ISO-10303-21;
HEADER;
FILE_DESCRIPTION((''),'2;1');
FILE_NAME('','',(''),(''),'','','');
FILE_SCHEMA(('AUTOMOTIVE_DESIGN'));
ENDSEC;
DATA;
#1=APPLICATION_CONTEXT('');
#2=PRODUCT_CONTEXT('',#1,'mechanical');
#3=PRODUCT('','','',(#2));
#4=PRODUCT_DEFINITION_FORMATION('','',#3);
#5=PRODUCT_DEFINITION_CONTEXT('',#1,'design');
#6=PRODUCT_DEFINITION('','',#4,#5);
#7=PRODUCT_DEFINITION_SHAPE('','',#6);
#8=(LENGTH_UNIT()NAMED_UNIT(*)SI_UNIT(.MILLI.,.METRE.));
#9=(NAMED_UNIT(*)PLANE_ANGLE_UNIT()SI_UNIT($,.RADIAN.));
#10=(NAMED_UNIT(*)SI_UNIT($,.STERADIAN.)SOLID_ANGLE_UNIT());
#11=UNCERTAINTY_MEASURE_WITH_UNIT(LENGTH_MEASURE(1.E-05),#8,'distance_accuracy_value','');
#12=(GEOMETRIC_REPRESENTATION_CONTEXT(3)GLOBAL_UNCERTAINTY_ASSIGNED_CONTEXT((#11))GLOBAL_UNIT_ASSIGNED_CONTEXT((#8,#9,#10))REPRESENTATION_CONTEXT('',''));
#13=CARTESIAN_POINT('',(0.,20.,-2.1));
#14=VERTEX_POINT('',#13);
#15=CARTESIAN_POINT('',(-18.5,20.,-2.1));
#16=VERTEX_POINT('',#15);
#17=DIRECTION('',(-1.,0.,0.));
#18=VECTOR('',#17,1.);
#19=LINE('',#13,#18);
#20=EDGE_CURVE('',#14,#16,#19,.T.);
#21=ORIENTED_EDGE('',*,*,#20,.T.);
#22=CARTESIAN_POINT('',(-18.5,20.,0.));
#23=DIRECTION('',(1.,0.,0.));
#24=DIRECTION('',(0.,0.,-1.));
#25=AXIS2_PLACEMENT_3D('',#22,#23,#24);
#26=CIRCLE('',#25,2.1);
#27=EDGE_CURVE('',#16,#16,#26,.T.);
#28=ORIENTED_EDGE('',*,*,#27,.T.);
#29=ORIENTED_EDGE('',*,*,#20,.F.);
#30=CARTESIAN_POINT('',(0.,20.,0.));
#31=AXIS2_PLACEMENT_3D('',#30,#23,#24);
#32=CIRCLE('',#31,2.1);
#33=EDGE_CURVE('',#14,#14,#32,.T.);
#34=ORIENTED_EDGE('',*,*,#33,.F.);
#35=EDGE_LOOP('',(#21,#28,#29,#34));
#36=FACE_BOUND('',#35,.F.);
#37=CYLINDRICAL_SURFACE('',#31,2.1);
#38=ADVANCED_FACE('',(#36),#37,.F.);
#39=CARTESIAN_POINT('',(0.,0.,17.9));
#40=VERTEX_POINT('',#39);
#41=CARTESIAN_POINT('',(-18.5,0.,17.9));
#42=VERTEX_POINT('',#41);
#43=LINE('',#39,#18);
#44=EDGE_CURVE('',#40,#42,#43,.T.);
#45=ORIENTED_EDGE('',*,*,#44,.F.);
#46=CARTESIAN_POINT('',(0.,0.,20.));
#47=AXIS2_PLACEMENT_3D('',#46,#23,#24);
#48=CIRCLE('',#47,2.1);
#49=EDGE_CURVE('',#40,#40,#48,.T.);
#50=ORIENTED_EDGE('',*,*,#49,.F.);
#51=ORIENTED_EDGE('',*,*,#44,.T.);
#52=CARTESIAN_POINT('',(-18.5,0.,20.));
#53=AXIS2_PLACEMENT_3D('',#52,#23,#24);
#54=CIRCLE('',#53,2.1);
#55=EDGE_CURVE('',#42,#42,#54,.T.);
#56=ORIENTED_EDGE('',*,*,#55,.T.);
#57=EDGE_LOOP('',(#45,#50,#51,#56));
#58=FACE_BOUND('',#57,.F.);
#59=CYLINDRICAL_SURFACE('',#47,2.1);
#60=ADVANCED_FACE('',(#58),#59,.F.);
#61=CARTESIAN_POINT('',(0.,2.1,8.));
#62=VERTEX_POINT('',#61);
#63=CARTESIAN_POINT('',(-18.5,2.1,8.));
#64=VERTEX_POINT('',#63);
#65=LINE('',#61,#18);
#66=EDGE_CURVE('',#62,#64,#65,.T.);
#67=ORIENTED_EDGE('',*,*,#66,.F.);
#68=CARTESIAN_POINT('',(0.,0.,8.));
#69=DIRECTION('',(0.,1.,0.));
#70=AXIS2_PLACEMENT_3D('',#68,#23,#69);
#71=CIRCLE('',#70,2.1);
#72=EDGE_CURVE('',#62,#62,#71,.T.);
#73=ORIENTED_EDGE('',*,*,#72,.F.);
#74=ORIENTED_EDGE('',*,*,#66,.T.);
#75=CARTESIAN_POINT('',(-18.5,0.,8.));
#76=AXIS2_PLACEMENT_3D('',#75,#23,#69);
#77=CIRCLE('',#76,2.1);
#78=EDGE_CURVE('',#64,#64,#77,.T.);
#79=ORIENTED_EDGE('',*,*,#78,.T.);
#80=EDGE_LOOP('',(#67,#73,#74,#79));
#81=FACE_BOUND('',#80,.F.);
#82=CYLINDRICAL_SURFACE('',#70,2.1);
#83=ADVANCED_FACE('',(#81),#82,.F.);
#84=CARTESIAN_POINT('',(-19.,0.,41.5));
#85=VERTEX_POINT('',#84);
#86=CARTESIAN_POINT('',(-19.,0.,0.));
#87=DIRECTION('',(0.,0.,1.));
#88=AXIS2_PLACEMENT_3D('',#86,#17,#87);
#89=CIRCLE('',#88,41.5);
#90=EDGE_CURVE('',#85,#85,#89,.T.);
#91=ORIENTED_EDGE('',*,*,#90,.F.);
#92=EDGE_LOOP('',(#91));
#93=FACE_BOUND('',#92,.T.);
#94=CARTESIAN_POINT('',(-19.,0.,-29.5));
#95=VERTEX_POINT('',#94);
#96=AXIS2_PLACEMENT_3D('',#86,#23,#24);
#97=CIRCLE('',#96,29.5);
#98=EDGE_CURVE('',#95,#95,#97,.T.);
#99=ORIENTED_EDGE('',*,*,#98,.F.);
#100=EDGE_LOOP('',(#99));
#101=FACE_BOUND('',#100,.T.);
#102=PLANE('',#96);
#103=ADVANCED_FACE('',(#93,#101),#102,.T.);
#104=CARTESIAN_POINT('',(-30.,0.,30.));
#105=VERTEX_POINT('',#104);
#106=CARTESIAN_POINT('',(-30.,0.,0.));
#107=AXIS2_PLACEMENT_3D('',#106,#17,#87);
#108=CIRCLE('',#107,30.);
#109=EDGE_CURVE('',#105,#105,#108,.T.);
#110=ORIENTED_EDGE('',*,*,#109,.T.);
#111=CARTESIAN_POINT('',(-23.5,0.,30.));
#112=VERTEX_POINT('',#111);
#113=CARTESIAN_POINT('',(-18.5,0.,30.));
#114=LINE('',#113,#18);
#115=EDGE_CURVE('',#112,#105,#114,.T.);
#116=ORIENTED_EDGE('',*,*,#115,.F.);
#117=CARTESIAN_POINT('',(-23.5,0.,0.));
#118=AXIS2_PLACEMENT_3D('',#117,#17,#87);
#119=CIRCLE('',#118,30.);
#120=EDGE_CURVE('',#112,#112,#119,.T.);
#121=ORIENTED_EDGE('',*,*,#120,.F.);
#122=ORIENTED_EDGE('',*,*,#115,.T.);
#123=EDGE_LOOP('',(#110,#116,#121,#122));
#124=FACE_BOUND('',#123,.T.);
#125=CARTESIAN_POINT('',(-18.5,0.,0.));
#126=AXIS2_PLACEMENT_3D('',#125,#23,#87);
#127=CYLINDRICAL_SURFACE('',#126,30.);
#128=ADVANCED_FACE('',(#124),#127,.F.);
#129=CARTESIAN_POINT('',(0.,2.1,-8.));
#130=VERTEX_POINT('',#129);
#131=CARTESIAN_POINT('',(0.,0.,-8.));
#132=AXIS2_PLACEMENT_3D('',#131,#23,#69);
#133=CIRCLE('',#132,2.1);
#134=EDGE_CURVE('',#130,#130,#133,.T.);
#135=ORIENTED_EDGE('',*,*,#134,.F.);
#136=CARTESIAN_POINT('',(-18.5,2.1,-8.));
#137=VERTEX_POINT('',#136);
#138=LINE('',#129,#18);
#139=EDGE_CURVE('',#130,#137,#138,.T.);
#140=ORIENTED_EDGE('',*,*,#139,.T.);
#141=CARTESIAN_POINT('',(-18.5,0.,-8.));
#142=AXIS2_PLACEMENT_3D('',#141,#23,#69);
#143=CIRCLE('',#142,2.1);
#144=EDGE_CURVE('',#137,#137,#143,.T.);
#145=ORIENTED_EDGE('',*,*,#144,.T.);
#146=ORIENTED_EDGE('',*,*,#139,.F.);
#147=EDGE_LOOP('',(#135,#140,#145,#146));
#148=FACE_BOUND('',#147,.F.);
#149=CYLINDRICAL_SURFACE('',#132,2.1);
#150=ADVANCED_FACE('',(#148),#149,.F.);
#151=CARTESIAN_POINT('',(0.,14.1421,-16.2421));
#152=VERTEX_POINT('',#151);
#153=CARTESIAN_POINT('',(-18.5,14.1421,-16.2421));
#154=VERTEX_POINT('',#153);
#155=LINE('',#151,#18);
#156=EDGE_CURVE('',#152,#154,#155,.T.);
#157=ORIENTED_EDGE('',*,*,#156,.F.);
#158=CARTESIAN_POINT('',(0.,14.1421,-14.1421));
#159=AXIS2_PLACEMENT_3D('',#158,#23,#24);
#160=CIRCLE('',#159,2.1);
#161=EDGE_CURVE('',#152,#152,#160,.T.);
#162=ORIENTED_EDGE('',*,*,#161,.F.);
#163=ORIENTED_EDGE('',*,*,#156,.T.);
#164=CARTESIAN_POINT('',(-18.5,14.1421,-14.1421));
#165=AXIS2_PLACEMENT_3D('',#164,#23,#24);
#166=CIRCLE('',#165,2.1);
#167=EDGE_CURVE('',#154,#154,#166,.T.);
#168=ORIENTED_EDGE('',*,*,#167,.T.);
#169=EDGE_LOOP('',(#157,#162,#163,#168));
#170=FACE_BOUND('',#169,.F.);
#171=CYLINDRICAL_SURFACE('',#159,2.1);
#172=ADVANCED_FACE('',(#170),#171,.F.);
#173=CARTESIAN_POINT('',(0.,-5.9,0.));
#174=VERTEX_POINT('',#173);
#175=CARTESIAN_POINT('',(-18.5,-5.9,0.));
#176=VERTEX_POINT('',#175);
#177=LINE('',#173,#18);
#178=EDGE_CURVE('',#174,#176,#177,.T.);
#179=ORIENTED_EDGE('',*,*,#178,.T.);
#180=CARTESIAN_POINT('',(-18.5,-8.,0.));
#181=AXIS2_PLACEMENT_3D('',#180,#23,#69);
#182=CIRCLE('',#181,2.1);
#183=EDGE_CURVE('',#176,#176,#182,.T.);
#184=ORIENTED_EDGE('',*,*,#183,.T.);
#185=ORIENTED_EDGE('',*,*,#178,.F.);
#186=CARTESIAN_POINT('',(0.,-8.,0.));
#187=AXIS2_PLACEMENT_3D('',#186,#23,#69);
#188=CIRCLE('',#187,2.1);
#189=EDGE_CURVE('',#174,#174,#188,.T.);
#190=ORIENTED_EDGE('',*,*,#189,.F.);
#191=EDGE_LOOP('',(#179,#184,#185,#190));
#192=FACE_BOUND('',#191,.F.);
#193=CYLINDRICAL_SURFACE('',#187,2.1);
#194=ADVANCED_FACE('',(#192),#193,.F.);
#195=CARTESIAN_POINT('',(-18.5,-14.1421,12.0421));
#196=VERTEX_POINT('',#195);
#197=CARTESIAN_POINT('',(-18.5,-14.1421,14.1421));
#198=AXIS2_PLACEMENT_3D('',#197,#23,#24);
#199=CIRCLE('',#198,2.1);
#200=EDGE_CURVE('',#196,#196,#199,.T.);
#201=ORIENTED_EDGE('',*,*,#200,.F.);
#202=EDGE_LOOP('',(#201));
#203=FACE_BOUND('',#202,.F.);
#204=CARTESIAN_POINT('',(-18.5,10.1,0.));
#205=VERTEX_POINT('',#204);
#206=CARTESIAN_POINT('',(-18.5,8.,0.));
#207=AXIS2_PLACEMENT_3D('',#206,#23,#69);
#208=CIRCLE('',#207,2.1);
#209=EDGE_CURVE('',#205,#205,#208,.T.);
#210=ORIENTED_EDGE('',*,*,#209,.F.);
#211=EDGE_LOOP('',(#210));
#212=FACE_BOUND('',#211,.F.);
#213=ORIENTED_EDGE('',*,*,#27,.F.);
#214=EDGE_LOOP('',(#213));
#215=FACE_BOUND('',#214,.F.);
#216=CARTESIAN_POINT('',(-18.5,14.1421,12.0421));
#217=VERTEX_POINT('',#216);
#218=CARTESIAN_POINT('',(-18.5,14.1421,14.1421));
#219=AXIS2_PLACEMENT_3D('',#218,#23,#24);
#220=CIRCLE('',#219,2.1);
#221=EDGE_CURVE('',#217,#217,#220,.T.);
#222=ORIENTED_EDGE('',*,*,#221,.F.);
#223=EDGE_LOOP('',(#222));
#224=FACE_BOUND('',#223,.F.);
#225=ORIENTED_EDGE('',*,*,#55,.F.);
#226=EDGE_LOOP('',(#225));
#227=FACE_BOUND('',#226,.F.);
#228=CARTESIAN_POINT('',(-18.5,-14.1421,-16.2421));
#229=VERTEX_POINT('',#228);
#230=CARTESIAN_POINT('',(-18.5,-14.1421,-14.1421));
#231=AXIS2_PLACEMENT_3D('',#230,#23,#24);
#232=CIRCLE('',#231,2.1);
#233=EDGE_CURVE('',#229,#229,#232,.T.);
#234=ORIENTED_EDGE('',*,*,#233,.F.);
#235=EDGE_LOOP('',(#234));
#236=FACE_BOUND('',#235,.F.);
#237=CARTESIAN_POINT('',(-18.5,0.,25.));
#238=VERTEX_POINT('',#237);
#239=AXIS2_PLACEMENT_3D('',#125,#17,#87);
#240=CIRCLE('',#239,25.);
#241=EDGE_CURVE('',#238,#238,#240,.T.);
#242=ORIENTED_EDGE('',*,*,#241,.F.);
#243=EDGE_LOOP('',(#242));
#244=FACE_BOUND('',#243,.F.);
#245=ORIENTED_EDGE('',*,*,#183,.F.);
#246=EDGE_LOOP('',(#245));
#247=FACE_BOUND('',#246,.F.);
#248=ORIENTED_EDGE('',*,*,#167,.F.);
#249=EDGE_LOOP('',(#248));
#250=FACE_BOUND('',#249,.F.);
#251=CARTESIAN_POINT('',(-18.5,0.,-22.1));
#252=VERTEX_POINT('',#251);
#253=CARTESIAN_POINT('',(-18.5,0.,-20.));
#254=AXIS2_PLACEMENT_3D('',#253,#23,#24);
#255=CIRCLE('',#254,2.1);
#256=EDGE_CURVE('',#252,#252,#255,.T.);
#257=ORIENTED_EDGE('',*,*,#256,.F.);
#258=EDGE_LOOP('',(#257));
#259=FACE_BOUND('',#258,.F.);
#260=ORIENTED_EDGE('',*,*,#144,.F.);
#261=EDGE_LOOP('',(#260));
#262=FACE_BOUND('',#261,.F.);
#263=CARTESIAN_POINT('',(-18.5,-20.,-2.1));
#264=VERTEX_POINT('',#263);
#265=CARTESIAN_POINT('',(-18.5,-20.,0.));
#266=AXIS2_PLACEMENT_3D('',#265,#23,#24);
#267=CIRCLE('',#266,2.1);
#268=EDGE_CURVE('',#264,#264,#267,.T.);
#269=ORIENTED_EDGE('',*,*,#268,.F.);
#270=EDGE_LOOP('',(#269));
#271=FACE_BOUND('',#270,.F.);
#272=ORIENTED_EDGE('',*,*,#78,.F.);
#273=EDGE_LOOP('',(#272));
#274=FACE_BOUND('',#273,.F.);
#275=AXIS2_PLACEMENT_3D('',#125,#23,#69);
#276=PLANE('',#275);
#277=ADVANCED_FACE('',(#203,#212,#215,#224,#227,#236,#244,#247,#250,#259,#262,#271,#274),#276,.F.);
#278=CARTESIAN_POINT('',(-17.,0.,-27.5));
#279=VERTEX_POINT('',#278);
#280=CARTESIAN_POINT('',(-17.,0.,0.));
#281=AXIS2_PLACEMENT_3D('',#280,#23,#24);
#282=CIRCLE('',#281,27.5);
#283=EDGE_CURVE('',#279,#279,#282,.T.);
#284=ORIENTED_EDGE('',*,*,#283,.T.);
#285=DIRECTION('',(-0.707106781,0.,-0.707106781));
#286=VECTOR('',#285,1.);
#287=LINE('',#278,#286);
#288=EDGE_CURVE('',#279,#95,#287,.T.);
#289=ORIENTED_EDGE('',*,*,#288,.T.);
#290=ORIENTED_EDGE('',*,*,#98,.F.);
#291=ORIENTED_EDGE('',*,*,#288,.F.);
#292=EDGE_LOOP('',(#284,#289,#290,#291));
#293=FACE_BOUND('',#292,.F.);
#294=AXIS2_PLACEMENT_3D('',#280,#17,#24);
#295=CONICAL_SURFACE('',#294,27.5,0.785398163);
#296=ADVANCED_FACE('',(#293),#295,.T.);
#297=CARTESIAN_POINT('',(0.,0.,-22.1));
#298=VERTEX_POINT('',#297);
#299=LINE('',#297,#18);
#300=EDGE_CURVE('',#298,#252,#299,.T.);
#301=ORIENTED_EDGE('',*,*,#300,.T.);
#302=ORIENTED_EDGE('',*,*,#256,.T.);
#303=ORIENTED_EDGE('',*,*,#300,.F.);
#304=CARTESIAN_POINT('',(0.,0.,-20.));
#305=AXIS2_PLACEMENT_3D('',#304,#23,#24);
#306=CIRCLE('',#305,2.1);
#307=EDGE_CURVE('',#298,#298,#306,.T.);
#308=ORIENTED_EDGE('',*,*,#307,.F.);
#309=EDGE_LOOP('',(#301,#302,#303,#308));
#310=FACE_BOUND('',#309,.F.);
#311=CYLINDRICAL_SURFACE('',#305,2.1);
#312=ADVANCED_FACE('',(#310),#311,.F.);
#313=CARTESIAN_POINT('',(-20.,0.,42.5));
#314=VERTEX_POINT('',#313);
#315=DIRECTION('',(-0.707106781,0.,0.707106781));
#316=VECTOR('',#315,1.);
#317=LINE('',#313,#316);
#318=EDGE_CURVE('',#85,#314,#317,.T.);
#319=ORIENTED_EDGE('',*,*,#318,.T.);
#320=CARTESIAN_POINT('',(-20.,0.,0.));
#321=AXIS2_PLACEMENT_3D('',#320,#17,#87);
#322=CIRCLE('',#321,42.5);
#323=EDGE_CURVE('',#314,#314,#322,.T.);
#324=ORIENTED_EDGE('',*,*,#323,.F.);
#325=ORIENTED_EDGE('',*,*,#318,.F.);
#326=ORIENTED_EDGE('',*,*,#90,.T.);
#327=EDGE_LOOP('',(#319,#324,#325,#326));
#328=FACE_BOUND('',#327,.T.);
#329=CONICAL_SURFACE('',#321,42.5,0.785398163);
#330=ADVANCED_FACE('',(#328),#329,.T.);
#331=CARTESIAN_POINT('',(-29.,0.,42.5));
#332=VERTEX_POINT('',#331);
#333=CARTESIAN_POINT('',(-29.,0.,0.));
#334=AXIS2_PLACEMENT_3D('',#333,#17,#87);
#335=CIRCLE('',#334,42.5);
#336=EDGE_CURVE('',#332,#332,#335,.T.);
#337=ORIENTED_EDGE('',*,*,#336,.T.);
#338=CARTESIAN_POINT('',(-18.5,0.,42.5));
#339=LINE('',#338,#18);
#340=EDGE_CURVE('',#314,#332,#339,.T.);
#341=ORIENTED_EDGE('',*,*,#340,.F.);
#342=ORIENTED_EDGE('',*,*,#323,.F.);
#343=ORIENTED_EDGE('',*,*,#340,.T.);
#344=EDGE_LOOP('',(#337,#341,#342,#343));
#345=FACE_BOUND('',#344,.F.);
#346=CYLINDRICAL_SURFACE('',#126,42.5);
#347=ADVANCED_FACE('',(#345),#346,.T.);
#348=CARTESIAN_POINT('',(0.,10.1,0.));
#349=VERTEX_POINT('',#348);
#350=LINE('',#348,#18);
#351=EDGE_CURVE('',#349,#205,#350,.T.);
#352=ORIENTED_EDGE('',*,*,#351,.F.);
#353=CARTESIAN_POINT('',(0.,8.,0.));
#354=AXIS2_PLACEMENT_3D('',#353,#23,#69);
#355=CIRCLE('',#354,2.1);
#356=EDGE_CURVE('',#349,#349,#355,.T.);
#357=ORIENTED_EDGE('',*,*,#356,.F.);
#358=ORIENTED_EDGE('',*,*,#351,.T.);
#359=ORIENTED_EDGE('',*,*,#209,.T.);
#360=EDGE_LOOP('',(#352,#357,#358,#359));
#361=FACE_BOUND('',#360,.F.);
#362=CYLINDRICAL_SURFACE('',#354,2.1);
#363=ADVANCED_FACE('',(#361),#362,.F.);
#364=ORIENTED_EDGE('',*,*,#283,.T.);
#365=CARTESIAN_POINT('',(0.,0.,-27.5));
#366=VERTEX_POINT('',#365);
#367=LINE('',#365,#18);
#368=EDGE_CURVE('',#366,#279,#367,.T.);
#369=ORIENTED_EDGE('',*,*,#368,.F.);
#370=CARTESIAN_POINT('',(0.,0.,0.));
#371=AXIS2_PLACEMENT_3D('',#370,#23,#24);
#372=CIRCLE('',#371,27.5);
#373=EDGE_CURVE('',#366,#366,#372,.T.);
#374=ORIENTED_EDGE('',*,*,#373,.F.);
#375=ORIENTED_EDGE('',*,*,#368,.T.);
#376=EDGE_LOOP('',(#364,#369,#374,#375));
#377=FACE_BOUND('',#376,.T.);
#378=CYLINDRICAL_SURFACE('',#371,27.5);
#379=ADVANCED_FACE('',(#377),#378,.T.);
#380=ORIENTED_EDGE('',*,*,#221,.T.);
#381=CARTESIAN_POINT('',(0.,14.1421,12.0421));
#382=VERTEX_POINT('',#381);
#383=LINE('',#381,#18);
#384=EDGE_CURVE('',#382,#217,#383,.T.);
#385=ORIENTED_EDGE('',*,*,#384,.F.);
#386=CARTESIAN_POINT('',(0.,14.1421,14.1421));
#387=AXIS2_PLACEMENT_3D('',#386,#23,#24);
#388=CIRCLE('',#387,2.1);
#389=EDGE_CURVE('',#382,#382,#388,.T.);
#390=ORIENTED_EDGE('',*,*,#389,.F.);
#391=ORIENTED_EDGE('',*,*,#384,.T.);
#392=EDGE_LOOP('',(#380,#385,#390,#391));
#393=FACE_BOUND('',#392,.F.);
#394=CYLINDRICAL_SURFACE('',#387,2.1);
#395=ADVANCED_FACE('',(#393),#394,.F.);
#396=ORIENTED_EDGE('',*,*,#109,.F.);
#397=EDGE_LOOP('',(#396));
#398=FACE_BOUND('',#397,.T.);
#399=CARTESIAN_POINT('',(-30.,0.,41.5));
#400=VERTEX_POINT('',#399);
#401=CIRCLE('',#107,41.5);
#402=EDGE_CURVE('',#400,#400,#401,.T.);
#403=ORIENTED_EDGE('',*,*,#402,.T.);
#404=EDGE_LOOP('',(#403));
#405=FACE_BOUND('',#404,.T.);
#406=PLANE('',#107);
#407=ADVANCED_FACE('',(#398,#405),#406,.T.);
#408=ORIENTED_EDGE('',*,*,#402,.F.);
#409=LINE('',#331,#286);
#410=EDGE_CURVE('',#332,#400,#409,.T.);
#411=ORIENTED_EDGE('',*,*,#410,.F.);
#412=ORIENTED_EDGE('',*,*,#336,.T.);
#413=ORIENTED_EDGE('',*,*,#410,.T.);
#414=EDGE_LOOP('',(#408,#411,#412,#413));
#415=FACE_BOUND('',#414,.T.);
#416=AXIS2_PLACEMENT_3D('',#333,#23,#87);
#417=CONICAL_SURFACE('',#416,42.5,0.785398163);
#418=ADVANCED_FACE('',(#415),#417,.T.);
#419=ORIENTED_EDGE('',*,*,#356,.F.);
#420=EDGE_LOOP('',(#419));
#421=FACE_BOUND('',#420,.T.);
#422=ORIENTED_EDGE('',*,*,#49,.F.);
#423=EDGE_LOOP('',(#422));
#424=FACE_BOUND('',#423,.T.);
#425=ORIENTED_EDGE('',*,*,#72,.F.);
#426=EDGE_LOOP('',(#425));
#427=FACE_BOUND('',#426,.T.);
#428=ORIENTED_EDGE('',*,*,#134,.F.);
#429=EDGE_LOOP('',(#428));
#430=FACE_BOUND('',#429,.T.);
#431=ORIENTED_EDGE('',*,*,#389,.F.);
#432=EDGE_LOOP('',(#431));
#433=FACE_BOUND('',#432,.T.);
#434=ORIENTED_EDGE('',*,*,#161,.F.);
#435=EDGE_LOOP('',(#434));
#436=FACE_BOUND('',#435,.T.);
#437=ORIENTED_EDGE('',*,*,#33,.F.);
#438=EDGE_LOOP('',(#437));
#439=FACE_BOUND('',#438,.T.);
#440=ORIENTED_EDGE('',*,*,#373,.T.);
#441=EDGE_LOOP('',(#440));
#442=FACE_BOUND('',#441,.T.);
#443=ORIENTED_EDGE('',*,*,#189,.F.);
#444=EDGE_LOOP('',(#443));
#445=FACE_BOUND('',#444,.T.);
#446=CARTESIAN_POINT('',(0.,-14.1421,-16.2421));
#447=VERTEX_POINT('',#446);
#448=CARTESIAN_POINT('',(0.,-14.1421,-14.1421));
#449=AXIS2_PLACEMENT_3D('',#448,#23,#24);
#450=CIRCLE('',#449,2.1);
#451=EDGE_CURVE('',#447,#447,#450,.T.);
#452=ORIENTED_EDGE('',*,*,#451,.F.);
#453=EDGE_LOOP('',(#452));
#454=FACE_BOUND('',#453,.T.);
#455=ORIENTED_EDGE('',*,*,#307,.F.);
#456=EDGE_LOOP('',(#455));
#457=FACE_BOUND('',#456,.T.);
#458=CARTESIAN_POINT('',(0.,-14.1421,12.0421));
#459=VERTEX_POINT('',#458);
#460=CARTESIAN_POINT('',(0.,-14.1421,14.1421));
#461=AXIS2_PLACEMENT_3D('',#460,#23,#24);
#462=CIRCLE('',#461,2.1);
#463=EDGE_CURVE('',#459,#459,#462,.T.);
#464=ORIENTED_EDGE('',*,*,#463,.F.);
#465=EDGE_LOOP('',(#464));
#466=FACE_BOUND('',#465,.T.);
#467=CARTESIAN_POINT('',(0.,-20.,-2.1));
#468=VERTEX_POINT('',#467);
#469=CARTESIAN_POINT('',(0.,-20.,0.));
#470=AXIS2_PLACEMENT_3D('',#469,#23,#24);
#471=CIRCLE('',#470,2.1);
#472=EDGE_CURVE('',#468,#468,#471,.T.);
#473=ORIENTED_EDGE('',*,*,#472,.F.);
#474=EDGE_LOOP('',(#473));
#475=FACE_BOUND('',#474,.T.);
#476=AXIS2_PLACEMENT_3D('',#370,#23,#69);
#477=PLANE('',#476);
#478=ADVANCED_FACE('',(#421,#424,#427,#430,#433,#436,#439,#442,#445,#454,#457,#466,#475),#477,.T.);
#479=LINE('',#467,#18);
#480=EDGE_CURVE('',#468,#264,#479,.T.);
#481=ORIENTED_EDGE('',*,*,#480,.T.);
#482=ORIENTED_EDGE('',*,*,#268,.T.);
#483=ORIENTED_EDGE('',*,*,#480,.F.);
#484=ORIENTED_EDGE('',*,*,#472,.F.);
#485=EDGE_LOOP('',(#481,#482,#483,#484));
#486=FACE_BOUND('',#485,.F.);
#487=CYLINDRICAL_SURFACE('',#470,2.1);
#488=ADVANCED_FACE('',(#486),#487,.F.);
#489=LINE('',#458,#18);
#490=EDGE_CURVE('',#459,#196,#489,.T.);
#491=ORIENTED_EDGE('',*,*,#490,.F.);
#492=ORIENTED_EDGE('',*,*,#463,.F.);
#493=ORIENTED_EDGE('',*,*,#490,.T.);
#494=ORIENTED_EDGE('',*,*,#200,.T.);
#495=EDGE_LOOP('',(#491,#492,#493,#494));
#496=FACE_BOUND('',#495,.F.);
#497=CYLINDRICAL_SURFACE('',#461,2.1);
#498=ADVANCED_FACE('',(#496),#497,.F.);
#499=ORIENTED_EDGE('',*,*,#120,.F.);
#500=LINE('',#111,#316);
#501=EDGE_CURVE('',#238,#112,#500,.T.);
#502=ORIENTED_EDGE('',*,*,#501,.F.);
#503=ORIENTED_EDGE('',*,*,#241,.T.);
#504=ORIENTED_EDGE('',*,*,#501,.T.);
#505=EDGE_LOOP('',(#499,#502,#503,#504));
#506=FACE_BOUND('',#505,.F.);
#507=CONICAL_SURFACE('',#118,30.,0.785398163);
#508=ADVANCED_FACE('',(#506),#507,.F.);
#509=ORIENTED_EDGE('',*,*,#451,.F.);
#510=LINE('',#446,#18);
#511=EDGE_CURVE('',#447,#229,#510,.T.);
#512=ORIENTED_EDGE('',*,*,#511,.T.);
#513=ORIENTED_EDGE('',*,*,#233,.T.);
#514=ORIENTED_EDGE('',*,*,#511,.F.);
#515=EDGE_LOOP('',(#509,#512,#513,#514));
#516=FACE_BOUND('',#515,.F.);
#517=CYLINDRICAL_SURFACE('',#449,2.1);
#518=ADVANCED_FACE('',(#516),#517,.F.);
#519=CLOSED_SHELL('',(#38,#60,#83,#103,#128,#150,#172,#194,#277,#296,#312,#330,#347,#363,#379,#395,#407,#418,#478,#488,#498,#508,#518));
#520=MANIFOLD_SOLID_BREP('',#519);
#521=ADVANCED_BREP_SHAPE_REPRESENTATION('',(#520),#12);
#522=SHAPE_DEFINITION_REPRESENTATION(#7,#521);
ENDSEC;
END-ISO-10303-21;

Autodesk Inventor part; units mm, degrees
ref_plane "YZ Plane" through (0, 0, 0) normal (1, 0, 0) x (0, 1, 0)
ref_plane "XZ Plane" through (0, 0, 0) normal (0, 1, 0) x (-1, 0, 0)
ref_plane "XY Plane" through (0, 0, 0) normal (0, 0, 1) x (1, 0, 0)
sketch "草图3" plane through (0, 0, 0) normal (1, 0, 0) x (0, 1, 0)
  circle A0 centre (0, 0) radius 8 construction
  circle A1 centre (0, -8) radius 2.1
  line L0 (0, 0) -> (0, -8) construction
  circle A2 centre (8, 0) radius 2.1
  circle A3 centre (0, 8) radius 2.1
  circle A4 centre (-8, 0) radius 2.1
  circle A5 centre (0, 0) radius 42.5
  dimension "d21" = 16
  dimension "d22" = 4.2
  dimension "d25" = 360
  dimension "d27" = 85
extrude "拉伸3" add sketch "草图3" against normal blind 18.5
sketch "草图6" plane through (-18.5, 0, 0) normal (-1, 0, 0) x (0, 0, 1)
  circle A0 centre (0, 0) radius 30
  circle A1 centre (0, 0) radius 42.5 projected
  dimension "d30" = 60
extrude "拉伸4" add sketch "草图6" along normal blind 11.5
chamfer "倒角1" distance 5 angle 45 1 edges at (-18.5, 0, -30)
sketch "草图7" plane through (0, 0, 0) normal (1, 0, 0) x (0, 0, -1)
  circle A0 centre (0, 0) radius 27.5
  circle A1 centre (0, 0) radius 42.5 projected
  dimension "d36" = 55
extrude "拉伸5" cut sketch "草图7" against normal blind 19
chamfer "倒角2" distance 2 angle 45 1 edges at (-19, 0, 27.5)
sketch "草图8" plane through (0, 0, 0) normal (1, 0, 0) x (0, 0, -1)
  circle A0 centre (0, 0) radius 20 construction
  circle A1 centre (20, 0) radius 2.1
  line L0 (20, 0) -> (0, 0) construction
  line L1 (14.1421, 14.1421) -> (0, 0) construction
  circle A2 centre (14.1421, 14.1421) radius 2.1
  line L2 (0, 20) -> (0, 0) construction
  circle A3 centre (0, 20) radius 2.1
  line L3 (-14.1421, 14.1421) -> (0, 0) construction
  circle A4 centre (-14.1421, 14.1421) radius 2.1
  line L4 (-20, 0) -> (0, 0) construction
  circle A5 centre (-20, 0) radius 2.1
  line L5 (-14.1421, -14.1421) -> (0, 0) construction
  circle A6 centre (-14.1421, -14.1421) radius 2.1
  line L6 (0, -20) -> (0, 0) construction
  circle A7 centre (0, -20) radius 2.1
  line L7 (14.1421, -14.1421) -> (0, 0) construction
  circle A8 centre (14.1421, -14.1421) radius 2.1
  dimension "d42" = 40
  dimension "d43" = 4.2
  dimension "d46" = 360
extrude "拉伸6" cut sketch "草图8" against normal through all
chamfer "倒角4" distance 1 angle 45 2 edges at (-19, 0, -42.5) (-30, 0, -42.5)
properties part number "主动轮"
